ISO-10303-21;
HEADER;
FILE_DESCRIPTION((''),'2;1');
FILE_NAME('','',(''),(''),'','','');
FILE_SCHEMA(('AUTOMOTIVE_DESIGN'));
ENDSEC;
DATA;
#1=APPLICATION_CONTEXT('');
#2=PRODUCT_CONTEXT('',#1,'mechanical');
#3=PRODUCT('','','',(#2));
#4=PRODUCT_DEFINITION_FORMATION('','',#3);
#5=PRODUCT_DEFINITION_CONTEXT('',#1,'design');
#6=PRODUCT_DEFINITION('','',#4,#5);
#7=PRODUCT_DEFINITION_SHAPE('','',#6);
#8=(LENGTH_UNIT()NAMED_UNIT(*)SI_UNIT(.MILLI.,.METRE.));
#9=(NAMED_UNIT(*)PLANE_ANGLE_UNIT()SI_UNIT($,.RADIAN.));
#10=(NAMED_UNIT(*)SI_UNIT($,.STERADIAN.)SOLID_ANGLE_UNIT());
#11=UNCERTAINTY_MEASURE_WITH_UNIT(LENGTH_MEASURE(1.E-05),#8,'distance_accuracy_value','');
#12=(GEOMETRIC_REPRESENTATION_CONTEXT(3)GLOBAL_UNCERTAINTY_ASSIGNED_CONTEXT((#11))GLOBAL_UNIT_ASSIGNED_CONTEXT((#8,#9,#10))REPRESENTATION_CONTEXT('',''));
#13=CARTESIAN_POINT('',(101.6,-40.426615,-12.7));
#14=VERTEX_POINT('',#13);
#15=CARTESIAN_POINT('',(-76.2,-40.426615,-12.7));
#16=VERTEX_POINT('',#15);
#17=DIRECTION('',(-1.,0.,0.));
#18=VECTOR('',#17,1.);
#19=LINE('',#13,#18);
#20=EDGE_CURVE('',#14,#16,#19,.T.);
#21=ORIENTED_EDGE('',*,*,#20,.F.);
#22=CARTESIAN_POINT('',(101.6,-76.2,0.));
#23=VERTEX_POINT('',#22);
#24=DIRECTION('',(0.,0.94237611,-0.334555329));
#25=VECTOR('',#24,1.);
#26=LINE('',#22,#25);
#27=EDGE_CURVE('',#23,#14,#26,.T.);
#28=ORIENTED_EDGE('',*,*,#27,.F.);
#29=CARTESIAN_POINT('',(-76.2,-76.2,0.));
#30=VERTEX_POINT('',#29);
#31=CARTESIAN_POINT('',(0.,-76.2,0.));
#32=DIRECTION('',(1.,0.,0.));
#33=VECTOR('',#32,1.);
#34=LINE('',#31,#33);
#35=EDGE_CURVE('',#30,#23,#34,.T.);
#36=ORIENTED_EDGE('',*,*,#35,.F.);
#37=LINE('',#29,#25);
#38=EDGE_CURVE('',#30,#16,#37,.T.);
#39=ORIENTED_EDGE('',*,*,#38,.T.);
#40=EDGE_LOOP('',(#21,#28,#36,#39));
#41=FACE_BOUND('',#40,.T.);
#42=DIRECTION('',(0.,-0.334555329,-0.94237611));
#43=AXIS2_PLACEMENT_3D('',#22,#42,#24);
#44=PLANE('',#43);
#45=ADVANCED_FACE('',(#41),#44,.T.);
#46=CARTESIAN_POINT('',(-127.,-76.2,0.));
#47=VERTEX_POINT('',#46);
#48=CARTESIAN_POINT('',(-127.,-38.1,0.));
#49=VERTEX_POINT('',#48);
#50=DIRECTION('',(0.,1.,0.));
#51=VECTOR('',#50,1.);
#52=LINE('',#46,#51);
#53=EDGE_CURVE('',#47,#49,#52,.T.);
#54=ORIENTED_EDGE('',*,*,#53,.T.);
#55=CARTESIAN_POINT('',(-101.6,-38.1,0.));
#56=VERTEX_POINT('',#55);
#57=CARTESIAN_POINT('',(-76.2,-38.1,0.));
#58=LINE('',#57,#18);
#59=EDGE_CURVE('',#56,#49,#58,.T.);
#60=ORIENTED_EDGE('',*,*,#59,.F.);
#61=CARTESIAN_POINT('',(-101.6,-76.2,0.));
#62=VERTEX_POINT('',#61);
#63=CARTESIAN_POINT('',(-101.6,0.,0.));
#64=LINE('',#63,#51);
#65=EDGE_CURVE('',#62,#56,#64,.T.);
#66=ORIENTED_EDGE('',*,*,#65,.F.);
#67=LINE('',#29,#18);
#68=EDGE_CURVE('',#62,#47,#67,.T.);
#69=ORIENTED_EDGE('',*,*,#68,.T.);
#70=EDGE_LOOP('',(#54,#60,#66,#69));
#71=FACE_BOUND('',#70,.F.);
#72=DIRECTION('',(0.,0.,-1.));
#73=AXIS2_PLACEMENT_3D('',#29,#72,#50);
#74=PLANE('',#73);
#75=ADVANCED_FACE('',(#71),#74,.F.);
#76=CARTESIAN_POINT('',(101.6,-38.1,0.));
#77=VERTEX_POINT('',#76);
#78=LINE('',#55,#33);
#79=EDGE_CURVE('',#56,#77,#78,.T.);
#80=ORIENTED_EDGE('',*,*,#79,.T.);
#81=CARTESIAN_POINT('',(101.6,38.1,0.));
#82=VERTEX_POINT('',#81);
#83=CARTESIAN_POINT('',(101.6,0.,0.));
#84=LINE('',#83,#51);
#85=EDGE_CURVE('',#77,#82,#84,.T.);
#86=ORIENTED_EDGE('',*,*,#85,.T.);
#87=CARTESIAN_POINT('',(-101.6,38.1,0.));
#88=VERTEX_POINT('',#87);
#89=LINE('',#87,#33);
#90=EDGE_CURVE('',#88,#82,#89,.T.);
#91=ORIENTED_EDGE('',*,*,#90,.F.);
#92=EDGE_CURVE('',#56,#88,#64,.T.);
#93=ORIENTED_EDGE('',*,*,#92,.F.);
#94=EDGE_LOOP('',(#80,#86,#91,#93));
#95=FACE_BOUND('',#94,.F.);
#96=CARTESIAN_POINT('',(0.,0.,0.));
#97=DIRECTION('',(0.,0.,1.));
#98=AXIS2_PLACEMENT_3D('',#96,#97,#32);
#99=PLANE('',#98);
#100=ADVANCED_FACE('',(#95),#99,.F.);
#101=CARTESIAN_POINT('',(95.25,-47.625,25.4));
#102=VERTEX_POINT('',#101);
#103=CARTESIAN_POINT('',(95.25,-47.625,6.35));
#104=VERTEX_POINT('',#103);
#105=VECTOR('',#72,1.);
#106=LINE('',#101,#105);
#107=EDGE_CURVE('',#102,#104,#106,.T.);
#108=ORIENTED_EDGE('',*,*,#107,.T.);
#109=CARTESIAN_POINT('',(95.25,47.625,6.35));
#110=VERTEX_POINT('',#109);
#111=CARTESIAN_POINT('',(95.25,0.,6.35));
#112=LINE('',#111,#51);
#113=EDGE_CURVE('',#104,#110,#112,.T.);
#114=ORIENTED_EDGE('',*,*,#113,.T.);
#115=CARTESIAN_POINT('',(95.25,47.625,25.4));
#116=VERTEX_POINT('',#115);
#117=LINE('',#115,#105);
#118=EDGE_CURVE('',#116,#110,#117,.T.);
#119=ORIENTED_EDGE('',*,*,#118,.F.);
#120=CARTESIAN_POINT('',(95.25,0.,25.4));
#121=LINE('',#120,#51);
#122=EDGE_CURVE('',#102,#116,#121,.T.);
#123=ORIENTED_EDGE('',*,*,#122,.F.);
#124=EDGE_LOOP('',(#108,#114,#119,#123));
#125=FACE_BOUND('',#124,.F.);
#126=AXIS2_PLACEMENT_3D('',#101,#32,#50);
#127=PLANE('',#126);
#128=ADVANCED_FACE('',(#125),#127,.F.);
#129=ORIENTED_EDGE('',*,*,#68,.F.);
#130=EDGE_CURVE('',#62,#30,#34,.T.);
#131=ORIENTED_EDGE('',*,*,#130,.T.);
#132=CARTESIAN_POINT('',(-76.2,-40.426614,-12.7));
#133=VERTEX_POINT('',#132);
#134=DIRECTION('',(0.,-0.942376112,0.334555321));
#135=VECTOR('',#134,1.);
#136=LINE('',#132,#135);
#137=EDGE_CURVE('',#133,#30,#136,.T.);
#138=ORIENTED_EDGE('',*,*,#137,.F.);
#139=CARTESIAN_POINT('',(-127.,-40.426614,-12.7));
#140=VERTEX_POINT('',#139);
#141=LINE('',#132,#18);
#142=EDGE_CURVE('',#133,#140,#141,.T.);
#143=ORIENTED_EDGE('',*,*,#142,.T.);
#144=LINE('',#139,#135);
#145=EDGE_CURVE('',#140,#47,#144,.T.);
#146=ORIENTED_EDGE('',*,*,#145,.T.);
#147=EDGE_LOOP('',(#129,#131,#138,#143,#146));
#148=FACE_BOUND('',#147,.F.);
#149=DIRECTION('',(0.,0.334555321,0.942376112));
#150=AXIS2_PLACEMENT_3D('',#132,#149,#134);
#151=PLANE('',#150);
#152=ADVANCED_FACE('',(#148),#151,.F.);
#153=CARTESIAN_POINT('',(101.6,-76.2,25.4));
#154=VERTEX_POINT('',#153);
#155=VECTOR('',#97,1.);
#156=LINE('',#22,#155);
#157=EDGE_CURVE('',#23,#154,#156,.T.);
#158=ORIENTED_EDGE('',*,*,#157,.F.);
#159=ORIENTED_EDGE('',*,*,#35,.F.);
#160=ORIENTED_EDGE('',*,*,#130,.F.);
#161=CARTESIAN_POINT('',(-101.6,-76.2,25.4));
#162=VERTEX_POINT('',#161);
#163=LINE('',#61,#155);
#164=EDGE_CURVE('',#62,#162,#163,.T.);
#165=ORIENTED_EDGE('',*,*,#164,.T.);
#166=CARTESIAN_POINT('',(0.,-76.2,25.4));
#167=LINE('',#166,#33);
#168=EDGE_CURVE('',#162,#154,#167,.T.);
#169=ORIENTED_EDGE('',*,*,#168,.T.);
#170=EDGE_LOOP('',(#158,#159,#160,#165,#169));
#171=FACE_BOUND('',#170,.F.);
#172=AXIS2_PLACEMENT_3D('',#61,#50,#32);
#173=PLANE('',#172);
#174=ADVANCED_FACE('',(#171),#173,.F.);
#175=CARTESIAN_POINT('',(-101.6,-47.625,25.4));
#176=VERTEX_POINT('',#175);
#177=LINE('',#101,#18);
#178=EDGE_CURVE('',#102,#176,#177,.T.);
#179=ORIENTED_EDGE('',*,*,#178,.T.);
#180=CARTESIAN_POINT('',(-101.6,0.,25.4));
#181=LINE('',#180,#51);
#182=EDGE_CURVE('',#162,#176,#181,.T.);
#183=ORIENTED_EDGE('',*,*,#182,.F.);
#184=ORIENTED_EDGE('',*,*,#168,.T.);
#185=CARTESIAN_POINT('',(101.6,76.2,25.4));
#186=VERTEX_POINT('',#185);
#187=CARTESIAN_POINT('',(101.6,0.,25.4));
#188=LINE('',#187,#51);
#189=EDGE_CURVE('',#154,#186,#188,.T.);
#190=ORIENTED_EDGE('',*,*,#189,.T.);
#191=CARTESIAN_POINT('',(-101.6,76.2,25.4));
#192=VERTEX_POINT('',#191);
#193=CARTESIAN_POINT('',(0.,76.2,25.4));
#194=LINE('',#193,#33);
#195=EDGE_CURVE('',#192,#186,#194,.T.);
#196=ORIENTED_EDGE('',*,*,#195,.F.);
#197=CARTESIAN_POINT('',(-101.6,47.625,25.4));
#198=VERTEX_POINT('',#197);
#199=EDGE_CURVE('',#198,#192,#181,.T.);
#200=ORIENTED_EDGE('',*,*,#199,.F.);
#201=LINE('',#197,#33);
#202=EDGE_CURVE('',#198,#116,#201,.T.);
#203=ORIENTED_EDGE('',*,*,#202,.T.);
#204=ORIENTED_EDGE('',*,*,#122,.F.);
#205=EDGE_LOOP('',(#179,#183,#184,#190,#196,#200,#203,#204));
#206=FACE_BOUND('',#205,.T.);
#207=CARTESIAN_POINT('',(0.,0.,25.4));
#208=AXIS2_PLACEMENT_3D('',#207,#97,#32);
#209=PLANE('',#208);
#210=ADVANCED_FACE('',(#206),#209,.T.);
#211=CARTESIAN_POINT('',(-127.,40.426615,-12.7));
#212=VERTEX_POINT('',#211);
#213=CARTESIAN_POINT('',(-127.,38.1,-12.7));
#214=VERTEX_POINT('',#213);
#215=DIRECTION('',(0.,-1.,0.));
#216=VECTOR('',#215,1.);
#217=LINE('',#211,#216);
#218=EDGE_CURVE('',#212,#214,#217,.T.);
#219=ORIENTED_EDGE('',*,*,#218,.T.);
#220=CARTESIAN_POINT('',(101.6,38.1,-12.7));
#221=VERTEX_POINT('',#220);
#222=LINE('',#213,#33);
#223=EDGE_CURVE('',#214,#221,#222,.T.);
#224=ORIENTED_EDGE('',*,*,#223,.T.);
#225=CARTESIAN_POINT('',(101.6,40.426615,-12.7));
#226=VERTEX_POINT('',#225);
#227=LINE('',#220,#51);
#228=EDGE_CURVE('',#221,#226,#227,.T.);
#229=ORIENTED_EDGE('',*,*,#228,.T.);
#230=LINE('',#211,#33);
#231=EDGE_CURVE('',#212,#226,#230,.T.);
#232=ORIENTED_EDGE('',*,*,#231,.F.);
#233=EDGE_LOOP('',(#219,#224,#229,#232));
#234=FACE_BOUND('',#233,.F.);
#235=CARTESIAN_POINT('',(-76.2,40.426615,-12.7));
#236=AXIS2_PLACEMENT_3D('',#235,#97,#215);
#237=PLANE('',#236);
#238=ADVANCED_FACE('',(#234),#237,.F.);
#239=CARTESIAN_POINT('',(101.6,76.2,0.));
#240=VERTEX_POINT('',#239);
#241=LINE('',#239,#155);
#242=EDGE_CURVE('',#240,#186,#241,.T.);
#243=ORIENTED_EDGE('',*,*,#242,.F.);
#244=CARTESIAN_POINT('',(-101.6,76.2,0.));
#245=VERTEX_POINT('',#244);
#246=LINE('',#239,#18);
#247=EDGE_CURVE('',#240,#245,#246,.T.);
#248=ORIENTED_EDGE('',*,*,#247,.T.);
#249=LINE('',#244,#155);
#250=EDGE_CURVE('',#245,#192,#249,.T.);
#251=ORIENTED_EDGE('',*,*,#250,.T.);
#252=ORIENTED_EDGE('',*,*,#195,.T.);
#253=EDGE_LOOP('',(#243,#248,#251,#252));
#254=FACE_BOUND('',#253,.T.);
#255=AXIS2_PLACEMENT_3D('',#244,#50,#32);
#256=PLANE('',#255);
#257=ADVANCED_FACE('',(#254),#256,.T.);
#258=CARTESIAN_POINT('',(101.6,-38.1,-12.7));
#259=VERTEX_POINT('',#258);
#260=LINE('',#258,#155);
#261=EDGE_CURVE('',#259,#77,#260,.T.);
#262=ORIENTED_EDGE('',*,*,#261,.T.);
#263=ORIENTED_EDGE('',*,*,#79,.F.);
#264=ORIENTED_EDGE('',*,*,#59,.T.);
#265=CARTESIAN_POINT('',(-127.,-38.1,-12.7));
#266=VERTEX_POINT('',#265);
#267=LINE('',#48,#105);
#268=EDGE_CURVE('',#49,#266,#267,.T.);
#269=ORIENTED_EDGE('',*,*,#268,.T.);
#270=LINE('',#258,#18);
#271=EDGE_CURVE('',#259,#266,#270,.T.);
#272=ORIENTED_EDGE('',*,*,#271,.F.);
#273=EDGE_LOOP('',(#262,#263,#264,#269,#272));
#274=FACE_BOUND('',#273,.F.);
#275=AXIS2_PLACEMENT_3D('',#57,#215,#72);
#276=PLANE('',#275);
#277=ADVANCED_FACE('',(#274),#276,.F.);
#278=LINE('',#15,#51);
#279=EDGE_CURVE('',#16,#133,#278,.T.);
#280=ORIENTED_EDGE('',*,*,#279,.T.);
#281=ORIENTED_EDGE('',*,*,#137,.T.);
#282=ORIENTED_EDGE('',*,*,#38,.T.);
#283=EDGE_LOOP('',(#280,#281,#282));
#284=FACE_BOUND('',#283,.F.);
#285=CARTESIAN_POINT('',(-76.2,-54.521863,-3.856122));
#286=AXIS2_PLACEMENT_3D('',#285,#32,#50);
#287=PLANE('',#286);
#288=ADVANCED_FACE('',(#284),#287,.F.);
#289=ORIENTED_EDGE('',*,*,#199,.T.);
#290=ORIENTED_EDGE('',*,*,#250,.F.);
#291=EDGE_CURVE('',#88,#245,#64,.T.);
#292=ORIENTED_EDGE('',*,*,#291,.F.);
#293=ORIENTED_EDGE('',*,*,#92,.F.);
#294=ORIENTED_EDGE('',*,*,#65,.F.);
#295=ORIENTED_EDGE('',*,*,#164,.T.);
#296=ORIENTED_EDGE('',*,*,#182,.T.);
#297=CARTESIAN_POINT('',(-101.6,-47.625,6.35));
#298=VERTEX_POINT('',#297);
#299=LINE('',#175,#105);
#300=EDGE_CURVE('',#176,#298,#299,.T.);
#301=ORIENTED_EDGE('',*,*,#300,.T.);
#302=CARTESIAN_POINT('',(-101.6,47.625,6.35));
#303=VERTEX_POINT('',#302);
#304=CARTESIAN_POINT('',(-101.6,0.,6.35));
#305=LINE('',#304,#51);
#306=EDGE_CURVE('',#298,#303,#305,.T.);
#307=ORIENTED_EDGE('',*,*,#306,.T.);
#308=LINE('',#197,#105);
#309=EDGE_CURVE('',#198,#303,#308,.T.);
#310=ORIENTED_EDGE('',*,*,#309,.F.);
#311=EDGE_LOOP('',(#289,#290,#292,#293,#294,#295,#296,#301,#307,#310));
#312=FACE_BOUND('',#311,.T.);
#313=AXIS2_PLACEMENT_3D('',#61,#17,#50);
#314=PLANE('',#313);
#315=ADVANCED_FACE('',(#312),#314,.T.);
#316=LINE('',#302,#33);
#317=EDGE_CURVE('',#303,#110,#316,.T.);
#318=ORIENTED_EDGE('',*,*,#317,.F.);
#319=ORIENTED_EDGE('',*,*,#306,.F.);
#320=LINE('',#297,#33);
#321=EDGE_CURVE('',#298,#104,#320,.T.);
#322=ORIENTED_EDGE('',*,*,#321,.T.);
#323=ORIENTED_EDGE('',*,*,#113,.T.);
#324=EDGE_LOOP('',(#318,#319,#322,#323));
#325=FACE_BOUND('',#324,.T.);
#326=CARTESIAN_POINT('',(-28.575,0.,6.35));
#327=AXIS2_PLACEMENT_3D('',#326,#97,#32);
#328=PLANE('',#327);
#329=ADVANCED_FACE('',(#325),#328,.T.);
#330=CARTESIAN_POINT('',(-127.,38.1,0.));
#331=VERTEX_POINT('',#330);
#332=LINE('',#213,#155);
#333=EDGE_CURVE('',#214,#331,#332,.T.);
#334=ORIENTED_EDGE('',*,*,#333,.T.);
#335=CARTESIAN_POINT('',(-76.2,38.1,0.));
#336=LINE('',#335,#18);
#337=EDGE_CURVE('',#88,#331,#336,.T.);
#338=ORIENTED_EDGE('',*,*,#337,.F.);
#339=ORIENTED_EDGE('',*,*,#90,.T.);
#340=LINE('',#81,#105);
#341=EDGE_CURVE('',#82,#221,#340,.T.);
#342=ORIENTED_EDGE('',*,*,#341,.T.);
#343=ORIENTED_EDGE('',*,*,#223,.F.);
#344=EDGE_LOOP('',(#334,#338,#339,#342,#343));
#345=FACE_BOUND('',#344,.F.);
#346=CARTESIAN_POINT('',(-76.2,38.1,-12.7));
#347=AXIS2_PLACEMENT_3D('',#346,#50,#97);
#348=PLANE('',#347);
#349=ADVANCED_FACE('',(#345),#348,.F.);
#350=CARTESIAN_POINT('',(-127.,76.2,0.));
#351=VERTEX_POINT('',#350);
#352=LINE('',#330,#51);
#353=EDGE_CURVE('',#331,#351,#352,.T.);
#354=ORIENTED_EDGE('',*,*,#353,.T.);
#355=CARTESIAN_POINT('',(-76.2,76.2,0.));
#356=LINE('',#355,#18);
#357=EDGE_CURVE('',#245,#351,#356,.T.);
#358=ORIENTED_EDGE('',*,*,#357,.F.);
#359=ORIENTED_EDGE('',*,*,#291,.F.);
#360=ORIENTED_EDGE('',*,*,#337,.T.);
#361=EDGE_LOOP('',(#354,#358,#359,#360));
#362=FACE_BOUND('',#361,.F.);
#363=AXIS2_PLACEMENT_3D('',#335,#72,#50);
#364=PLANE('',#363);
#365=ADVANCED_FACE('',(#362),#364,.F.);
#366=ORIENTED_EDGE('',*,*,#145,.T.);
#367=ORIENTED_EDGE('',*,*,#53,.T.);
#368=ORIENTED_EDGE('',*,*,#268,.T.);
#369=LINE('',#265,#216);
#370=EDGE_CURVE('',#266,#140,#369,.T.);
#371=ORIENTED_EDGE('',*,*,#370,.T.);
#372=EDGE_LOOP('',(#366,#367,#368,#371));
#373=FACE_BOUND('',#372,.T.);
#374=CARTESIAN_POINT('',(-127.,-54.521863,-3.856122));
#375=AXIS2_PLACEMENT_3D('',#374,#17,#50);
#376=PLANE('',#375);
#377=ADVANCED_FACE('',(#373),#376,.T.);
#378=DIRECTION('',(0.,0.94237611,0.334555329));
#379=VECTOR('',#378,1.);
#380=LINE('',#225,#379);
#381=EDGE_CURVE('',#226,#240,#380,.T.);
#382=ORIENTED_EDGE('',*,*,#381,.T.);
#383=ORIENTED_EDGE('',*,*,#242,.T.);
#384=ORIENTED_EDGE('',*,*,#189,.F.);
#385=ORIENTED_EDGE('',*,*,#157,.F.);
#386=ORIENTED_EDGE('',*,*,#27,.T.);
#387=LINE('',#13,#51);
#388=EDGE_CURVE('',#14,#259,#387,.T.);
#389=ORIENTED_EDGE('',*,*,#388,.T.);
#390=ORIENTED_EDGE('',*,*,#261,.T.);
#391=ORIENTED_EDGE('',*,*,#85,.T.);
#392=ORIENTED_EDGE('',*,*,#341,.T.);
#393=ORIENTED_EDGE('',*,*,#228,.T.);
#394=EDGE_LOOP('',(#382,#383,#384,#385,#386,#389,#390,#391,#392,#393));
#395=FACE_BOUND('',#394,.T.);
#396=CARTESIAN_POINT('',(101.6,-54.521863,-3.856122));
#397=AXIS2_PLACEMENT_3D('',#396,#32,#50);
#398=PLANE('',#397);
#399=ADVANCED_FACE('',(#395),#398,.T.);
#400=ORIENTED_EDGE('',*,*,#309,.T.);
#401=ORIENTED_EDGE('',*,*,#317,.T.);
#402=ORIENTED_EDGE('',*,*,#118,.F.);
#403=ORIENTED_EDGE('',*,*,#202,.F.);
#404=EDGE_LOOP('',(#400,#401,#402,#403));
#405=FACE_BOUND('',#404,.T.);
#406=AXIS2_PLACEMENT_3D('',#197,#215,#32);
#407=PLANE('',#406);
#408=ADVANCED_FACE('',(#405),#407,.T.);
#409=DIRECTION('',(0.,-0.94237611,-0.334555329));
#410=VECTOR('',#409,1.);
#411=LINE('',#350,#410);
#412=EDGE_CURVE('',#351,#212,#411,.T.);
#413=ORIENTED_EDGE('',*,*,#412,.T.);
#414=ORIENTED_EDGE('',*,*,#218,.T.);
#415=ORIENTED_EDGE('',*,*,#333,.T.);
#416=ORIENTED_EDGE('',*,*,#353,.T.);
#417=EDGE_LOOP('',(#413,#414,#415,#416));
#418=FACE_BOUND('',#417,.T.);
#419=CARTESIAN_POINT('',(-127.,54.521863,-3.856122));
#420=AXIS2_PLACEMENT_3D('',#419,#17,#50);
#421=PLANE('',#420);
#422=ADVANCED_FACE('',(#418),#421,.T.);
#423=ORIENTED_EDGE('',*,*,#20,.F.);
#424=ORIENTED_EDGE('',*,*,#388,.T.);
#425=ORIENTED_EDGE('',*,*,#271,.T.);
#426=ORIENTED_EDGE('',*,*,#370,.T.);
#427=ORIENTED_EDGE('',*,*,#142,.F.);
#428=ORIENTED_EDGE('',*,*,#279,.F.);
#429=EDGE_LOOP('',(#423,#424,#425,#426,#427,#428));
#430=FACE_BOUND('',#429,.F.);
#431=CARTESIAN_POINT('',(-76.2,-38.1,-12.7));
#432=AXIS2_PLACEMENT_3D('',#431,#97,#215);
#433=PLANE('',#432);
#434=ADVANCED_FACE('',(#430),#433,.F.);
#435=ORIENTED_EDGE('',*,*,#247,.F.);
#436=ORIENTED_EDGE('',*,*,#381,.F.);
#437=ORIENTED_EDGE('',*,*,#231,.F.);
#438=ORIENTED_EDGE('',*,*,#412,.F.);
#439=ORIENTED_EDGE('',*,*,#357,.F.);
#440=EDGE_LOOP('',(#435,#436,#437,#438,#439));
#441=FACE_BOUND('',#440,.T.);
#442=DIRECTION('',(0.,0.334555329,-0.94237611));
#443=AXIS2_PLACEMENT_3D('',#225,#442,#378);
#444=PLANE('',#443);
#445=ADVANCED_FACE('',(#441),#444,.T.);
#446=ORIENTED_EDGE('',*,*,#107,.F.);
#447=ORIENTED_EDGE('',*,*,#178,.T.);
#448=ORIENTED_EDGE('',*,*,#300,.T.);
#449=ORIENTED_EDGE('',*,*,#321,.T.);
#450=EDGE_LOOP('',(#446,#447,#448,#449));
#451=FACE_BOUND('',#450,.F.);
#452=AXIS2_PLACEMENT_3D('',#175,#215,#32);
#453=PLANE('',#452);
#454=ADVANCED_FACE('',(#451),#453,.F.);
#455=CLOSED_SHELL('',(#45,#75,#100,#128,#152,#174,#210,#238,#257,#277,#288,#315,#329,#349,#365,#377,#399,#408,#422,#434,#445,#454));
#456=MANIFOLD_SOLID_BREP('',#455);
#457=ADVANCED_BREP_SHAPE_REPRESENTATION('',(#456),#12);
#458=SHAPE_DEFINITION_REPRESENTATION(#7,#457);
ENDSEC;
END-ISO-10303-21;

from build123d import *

# Parameters (mm, degrees)
F0_W     = 203.2
F0_H     = 152.4
F1_DEPTH = 25.4
F3_DEPTH = 177.8
F4_W     = 146.05
F4_H     = 95.25
F5_DEPTH = 19.05
F6_DEPTH = 50.8
F7_W     = 50.8
F7_H     = 95.25
F8_DEPTH = 19.05


with BuildPart() as f1:
    # F0 (on Top) → F1 (new body)
    with BuildSketch(Plane.XY):
        Rectangle(F0_W, F0_H)
    extrude(amount=F1_DEPTH)

    # F2 (on face) → F3 (join)
    with BuildSketch(Plane.YZ.offset(101.6)):
        Polygon((-38.1, -12.7), (-38.1, 0), (-76.2, 0), (-40.426615, -12.7), align=None)
        Polygon((76.2, 0), (38.1, 0), (38.1, -12.7), (40.426615, -12.7), align=None)
    extrude(amount=-F3_DEPTH)

    # F4 (on face) → F5 (cut)
    with BuildSketch(Plane.XY.offset(25.4)):
        with Locations((-28.575, 0)):
            Rectangle(F4_W, F4_H)
    extrude(amount=-F5_DEPTH, mode=Mode.SUBTRACT)

    # F3_face (on face) → F6 (join)
    with BuildSketch(Plane(origin=(-76.2, -50.844633, -4.476968), x_dir=(0, 1, 0), z_dir=(-1, 0, 0))):
        Polygon((12.744633, -4.476968), (12.744633, 8.223032), (10.418019, 8.223032), (-25.355367, -4.476968), align=None)
        Polygon((127.044633, -4.476968), (91.271248, 8.223032), (88.944633, 8.223032), (88.944633, -4.476968), align=None)
    extrude(amount=F6_DEPTH)

    # F7 (on face) → F8 (cut)
    with BuildSketch(Plane.XY.offset(25.4)):
        with Locations((69.85, 0)):
            Rectangle(F7_W, F7_H)
    extrude(amount=-F8_DEPTH, mode=Mode.SUBTRACT)


solid = f1.part
